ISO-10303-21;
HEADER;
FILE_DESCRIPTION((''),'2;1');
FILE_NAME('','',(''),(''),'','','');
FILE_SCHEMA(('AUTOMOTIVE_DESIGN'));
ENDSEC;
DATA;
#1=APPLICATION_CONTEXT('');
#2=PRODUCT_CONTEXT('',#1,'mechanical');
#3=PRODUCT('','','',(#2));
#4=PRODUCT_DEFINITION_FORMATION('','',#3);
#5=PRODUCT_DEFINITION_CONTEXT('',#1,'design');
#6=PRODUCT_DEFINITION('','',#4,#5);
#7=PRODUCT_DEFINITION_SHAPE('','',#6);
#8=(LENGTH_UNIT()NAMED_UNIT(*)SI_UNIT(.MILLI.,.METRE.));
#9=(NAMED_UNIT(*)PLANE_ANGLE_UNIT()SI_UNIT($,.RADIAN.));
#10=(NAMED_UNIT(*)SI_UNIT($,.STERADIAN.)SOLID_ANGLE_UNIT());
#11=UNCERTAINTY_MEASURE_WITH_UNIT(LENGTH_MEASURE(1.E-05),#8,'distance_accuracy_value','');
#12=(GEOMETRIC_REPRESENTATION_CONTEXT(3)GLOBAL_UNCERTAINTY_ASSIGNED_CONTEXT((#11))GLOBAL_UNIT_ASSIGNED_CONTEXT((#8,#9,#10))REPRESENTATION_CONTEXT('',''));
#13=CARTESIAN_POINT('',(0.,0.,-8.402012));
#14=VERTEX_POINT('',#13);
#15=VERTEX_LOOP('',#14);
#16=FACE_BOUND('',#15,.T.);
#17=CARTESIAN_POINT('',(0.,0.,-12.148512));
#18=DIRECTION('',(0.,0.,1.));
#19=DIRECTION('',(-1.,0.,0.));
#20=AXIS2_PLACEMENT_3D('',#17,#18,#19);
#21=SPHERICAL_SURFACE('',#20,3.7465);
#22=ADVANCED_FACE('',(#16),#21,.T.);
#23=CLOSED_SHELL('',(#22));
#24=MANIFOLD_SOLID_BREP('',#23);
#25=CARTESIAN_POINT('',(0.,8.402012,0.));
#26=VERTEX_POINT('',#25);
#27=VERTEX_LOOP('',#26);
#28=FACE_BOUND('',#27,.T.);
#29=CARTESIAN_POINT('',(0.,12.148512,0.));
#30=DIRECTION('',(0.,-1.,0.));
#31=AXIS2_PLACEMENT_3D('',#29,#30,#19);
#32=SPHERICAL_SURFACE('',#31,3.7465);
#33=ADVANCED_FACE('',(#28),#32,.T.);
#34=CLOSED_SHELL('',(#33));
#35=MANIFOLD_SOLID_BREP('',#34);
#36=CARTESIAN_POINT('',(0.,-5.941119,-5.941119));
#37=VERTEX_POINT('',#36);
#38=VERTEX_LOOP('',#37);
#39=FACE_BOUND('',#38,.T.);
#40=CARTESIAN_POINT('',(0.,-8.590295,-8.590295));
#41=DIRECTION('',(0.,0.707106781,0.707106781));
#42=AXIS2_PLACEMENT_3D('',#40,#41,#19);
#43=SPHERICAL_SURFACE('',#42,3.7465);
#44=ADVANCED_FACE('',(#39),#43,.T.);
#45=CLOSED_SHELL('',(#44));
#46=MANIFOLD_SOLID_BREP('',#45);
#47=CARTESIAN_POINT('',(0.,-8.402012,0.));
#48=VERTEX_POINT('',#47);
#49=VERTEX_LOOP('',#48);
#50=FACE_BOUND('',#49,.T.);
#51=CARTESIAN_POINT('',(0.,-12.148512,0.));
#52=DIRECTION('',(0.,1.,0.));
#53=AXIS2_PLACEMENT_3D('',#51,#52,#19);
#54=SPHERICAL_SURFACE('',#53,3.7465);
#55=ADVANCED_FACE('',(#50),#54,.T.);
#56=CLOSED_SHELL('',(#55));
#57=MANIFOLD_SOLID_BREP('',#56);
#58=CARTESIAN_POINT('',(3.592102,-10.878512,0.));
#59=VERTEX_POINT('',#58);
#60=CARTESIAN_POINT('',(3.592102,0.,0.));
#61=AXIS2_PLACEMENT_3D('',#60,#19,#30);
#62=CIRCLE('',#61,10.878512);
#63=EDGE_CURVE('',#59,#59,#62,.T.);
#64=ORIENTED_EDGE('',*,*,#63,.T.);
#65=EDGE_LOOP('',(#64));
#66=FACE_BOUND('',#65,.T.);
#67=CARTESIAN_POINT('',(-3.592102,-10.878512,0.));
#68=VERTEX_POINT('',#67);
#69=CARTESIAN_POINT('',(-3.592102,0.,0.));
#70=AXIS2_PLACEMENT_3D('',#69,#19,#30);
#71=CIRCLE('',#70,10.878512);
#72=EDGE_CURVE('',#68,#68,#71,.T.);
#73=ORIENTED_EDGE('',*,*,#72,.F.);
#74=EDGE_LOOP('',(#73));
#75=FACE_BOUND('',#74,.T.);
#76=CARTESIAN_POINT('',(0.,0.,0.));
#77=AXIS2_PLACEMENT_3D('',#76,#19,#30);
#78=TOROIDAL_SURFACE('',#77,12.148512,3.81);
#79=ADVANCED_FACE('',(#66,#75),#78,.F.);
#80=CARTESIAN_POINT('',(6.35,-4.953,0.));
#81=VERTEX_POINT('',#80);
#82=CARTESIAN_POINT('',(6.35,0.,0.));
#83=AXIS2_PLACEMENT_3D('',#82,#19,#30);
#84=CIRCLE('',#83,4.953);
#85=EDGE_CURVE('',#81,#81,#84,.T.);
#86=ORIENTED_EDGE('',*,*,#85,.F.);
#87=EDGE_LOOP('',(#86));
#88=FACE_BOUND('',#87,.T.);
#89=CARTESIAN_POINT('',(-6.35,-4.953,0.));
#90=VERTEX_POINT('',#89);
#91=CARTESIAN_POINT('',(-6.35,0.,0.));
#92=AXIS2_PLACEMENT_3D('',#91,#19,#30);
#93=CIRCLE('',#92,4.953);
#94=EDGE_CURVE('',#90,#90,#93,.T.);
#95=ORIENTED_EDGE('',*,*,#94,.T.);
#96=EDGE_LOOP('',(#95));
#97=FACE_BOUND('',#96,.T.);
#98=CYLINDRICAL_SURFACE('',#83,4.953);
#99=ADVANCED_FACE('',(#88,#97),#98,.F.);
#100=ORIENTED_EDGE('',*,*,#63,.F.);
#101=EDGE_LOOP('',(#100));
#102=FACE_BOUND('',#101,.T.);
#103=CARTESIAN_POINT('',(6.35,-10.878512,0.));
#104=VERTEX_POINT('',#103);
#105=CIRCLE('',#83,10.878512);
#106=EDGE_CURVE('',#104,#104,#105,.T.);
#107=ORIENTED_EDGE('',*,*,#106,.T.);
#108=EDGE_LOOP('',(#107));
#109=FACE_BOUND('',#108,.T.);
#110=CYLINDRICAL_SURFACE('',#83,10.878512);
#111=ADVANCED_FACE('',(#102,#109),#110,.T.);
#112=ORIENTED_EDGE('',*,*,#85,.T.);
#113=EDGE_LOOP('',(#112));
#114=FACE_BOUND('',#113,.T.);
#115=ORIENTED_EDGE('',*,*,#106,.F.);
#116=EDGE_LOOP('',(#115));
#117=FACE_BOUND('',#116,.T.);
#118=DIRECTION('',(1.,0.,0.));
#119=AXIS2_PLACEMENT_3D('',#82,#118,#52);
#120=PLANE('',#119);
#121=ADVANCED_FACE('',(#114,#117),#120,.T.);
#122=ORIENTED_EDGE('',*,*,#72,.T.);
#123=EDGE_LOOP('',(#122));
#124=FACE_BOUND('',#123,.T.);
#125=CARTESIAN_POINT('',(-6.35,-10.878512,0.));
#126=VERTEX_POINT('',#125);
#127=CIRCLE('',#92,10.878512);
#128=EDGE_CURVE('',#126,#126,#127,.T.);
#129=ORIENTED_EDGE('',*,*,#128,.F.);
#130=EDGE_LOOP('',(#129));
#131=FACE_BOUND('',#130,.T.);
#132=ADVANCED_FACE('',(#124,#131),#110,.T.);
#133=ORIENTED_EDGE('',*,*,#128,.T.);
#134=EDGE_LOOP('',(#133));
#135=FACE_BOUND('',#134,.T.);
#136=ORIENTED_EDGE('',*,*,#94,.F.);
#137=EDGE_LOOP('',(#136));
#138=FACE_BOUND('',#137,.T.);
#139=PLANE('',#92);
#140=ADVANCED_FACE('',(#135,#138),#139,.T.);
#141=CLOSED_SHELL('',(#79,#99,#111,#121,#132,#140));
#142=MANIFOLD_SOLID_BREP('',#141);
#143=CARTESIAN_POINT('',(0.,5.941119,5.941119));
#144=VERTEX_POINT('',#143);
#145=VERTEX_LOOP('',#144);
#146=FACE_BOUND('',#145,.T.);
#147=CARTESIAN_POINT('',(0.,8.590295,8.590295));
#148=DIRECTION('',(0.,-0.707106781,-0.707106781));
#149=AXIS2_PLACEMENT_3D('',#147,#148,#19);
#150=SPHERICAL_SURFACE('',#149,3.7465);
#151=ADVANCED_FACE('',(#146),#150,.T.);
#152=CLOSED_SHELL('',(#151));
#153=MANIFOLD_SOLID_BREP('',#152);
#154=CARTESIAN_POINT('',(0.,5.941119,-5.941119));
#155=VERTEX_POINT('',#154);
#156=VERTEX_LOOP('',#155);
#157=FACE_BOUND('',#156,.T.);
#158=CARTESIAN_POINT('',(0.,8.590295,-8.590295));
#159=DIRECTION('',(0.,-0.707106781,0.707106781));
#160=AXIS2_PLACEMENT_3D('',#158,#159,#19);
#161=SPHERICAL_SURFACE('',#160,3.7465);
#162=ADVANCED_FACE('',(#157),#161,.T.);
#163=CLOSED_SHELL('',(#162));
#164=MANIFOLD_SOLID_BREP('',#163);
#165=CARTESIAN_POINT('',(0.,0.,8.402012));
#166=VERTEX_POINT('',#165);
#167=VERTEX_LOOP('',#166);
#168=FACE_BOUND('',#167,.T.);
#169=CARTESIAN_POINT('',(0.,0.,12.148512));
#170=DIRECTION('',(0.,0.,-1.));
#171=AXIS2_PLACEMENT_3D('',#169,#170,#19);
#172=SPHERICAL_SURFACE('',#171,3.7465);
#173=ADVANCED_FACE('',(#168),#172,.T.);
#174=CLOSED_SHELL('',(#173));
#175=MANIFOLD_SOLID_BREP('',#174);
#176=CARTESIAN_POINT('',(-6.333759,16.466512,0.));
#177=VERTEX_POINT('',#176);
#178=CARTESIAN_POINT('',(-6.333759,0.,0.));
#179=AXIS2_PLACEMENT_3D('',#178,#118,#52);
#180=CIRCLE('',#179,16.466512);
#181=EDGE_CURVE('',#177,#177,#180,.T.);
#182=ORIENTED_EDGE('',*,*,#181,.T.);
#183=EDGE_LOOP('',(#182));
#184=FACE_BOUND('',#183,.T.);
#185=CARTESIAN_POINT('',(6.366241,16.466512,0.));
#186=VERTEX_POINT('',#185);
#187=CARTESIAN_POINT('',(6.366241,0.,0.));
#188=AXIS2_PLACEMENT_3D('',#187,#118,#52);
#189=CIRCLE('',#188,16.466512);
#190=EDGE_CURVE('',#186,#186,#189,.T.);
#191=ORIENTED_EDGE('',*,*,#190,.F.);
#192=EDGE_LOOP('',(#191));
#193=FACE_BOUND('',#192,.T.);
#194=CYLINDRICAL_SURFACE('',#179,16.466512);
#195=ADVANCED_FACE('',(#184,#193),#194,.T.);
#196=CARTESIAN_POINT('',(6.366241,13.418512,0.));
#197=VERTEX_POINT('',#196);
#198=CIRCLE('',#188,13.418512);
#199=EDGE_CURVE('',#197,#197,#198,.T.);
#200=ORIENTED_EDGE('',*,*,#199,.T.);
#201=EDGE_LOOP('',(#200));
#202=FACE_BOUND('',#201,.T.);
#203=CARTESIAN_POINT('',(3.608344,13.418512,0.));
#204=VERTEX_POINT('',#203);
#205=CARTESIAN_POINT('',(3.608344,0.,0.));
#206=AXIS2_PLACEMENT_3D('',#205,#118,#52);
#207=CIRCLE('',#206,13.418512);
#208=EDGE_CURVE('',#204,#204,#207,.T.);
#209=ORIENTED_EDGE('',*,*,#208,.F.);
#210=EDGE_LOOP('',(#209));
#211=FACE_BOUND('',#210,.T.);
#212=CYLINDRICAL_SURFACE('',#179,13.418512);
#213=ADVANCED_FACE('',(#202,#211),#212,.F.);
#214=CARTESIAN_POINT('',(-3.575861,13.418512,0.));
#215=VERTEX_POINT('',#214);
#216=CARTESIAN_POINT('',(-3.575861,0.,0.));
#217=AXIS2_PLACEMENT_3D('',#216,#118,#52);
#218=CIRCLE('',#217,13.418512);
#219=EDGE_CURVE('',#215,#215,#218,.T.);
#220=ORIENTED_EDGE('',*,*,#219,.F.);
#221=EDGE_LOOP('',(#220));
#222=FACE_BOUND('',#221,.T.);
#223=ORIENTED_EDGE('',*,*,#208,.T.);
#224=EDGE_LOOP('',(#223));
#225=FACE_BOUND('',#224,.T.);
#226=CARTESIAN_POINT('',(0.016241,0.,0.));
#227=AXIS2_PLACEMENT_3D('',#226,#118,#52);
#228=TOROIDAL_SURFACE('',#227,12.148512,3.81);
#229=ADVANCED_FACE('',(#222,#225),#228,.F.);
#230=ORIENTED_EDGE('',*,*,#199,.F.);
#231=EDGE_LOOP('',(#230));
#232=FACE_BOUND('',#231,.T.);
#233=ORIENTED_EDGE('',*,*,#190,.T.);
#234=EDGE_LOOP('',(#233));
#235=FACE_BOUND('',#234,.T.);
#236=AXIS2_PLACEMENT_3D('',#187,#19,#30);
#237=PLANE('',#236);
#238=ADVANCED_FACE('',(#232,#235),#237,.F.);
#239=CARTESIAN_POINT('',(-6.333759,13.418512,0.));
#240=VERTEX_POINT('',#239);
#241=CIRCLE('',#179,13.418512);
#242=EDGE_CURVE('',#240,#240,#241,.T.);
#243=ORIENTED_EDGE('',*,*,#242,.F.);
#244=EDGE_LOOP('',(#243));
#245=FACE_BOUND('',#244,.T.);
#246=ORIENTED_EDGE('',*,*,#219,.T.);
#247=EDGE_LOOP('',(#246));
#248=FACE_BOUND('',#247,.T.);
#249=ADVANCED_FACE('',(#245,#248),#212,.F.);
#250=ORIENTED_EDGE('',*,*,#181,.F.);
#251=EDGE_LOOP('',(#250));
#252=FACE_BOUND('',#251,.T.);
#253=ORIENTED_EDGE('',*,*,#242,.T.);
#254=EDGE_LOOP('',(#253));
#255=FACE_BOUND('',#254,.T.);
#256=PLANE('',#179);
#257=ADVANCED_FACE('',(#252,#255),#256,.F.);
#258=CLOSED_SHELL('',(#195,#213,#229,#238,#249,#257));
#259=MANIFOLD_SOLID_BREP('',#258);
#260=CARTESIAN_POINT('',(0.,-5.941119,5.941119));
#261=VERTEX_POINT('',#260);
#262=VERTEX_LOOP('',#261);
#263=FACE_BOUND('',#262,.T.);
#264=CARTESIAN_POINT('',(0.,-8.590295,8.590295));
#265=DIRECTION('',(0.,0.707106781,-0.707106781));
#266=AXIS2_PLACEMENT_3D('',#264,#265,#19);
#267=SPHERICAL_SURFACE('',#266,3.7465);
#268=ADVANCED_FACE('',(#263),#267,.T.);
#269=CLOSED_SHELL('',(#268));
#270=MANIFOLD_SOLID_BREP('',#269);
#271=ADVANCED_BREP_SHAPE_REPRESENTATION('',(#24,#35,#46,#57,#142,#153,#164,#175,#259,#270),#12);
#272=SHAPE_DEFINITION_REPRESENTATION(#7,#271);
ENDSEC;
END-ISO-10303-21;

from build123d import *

# Parameters (mm, degrees)
CIRPATTERN2_COUNT = 8


with BuildPart() as part:
    # Sketch1 → Revolve1 (revolve)
    with BuildSketch(Plane.XY):
        with BuildLine():
            Line((-6.333758795, 16.466511751), (-6.333758795, 13.418511751))
            Line((-6.333758795, 13.418511751), (-4.843515161, 13.418511751))
            Line((-4.843515161, 13.418511751), (-3.575861243, 13.418511751))
            ThreePointArc((-3.575861243, 13.418511751), (0.016241205, 15.958511751), (3.608343654, 13.418511751))
            Line((3.608343654, 13.418511751), (4.875997572, 13.418511751))
            Line((4.875997572, 13.418511751), (6.366241205, 13.418511751))
            Line((6.366241205, 13.418511751), (6.366241205, 16.466511751))
            Line((6.366241205, 16.466511751), (-6.333758795, 16.466511751))
        make_face()
    revolve(axis=Axis((-6.333758795, 0, 0), (1, 0, 0)))


with BuildPart() as body_2:
    # Sketch4 → Revolve2 (revolve)
    with BuildSketch(Plane.XY, mode=Mode.PRIVATE) as revolve2_sk:
        with BuildLine():
            Line((-6.35, 10.878511644), (-6.35, 4.953))
            Line((-6.35, 4.953), (6.35, 4.953))
            Line((6.35, 4.953), (6.35, 10.878511644))
            Line((6.35, 10.878511644), (3.592102448, 10.878511644))
            ThreePointArc((3.592102448, 10.878511644), (0, 8.338511644), (-3.592102448, 10.878511644))
            Line((-3.592102448, 10.878511644), (-6.35, 10.878511644))
        make_face()
    revolve(revolve2_sk.sketch.rotate(Axis((6.35, 0, 0), (-1, 0, 0)), 180), axis=Axis((6.35, 0, 0), (-1, 0, 0)))


with BuildPart() as body_3:
    # Sketch5 → Revolve5 (revolve)
    with BuildSketch(Plane.XY):
        with BuildLine():
            Line((0, 8.402011644), (0, 15.895011644))
            ThreePointArc((0, 15.895011644), (3.7465, 12.148511644), (0, 8.402011644))
        make_face()
    revolve(axis=Axis((0, 0, 0), (0, 1, 0)))


with BuildPart() as cirpattern2_1:
    # CirPattern2: pattern copy
    add(body_3.part.rotate(Axis((0, 0, 0), (1, 0, 0)), 1 * 360 / CIRPATTERN2_COUNT))


with BuildPart() as cirpattern2_2:
    # CirPattern2: pattern copy
    add(body_3.part.rotate(Axis((0, 0, 0), (1, 0, 0)), 2 * 360 / CIRPATTERN2_COUNT))


with BuildPart() as cirpattern2_3:
    # CirPattern2: pattern copy
    add(body_3.part.rotate(Axis((0, 0, 0), (1, 0, 0)), 3 * 360 / CIRPATTERN2_COUNT))


with BuildPart() as cirpattern2_4:
    # CirPattern2: pattern copy
    add(body_3.part.rotate(Axis((0, 0, 0), (1, 0, 0)), 4 * 360 / CIRPATTERN2_COUNT))


with BuildPart() as cirpattern2_5:
    # CirPattern2: pattern copy
    add(body_3.part.rotate(Axis((0, 0, 0), (1, 0, 0)), 5 * 360 / CIRPATTERN2_COUNT))


with BuildPart() as cirpattern2_6:
    # CirPattern2: pattern copy
    add(body_3.part.rotate(Axis((0, 0, 0), (1, 0, 0)), 6 * 360 / CIRPATTERN2_COUNT))


with BuildPart() as cirpattern2_7:
    # CirPattern2: pattern copy
    add(body_3.part.rotate(Axis((0, 0, 0), (1, 0, 0)), 7 * 360 / CIRPATTERN2_COUNT))


solid = Compound([part.part, body_2.part, body_3.part, cirpattern2_1.part, cirpattern2_2.part, cirpattern2_3.part, cirpattern2_4.part, cirpattern2_5.part, cirpattern2_6.part, cirpattern2_7.part])
